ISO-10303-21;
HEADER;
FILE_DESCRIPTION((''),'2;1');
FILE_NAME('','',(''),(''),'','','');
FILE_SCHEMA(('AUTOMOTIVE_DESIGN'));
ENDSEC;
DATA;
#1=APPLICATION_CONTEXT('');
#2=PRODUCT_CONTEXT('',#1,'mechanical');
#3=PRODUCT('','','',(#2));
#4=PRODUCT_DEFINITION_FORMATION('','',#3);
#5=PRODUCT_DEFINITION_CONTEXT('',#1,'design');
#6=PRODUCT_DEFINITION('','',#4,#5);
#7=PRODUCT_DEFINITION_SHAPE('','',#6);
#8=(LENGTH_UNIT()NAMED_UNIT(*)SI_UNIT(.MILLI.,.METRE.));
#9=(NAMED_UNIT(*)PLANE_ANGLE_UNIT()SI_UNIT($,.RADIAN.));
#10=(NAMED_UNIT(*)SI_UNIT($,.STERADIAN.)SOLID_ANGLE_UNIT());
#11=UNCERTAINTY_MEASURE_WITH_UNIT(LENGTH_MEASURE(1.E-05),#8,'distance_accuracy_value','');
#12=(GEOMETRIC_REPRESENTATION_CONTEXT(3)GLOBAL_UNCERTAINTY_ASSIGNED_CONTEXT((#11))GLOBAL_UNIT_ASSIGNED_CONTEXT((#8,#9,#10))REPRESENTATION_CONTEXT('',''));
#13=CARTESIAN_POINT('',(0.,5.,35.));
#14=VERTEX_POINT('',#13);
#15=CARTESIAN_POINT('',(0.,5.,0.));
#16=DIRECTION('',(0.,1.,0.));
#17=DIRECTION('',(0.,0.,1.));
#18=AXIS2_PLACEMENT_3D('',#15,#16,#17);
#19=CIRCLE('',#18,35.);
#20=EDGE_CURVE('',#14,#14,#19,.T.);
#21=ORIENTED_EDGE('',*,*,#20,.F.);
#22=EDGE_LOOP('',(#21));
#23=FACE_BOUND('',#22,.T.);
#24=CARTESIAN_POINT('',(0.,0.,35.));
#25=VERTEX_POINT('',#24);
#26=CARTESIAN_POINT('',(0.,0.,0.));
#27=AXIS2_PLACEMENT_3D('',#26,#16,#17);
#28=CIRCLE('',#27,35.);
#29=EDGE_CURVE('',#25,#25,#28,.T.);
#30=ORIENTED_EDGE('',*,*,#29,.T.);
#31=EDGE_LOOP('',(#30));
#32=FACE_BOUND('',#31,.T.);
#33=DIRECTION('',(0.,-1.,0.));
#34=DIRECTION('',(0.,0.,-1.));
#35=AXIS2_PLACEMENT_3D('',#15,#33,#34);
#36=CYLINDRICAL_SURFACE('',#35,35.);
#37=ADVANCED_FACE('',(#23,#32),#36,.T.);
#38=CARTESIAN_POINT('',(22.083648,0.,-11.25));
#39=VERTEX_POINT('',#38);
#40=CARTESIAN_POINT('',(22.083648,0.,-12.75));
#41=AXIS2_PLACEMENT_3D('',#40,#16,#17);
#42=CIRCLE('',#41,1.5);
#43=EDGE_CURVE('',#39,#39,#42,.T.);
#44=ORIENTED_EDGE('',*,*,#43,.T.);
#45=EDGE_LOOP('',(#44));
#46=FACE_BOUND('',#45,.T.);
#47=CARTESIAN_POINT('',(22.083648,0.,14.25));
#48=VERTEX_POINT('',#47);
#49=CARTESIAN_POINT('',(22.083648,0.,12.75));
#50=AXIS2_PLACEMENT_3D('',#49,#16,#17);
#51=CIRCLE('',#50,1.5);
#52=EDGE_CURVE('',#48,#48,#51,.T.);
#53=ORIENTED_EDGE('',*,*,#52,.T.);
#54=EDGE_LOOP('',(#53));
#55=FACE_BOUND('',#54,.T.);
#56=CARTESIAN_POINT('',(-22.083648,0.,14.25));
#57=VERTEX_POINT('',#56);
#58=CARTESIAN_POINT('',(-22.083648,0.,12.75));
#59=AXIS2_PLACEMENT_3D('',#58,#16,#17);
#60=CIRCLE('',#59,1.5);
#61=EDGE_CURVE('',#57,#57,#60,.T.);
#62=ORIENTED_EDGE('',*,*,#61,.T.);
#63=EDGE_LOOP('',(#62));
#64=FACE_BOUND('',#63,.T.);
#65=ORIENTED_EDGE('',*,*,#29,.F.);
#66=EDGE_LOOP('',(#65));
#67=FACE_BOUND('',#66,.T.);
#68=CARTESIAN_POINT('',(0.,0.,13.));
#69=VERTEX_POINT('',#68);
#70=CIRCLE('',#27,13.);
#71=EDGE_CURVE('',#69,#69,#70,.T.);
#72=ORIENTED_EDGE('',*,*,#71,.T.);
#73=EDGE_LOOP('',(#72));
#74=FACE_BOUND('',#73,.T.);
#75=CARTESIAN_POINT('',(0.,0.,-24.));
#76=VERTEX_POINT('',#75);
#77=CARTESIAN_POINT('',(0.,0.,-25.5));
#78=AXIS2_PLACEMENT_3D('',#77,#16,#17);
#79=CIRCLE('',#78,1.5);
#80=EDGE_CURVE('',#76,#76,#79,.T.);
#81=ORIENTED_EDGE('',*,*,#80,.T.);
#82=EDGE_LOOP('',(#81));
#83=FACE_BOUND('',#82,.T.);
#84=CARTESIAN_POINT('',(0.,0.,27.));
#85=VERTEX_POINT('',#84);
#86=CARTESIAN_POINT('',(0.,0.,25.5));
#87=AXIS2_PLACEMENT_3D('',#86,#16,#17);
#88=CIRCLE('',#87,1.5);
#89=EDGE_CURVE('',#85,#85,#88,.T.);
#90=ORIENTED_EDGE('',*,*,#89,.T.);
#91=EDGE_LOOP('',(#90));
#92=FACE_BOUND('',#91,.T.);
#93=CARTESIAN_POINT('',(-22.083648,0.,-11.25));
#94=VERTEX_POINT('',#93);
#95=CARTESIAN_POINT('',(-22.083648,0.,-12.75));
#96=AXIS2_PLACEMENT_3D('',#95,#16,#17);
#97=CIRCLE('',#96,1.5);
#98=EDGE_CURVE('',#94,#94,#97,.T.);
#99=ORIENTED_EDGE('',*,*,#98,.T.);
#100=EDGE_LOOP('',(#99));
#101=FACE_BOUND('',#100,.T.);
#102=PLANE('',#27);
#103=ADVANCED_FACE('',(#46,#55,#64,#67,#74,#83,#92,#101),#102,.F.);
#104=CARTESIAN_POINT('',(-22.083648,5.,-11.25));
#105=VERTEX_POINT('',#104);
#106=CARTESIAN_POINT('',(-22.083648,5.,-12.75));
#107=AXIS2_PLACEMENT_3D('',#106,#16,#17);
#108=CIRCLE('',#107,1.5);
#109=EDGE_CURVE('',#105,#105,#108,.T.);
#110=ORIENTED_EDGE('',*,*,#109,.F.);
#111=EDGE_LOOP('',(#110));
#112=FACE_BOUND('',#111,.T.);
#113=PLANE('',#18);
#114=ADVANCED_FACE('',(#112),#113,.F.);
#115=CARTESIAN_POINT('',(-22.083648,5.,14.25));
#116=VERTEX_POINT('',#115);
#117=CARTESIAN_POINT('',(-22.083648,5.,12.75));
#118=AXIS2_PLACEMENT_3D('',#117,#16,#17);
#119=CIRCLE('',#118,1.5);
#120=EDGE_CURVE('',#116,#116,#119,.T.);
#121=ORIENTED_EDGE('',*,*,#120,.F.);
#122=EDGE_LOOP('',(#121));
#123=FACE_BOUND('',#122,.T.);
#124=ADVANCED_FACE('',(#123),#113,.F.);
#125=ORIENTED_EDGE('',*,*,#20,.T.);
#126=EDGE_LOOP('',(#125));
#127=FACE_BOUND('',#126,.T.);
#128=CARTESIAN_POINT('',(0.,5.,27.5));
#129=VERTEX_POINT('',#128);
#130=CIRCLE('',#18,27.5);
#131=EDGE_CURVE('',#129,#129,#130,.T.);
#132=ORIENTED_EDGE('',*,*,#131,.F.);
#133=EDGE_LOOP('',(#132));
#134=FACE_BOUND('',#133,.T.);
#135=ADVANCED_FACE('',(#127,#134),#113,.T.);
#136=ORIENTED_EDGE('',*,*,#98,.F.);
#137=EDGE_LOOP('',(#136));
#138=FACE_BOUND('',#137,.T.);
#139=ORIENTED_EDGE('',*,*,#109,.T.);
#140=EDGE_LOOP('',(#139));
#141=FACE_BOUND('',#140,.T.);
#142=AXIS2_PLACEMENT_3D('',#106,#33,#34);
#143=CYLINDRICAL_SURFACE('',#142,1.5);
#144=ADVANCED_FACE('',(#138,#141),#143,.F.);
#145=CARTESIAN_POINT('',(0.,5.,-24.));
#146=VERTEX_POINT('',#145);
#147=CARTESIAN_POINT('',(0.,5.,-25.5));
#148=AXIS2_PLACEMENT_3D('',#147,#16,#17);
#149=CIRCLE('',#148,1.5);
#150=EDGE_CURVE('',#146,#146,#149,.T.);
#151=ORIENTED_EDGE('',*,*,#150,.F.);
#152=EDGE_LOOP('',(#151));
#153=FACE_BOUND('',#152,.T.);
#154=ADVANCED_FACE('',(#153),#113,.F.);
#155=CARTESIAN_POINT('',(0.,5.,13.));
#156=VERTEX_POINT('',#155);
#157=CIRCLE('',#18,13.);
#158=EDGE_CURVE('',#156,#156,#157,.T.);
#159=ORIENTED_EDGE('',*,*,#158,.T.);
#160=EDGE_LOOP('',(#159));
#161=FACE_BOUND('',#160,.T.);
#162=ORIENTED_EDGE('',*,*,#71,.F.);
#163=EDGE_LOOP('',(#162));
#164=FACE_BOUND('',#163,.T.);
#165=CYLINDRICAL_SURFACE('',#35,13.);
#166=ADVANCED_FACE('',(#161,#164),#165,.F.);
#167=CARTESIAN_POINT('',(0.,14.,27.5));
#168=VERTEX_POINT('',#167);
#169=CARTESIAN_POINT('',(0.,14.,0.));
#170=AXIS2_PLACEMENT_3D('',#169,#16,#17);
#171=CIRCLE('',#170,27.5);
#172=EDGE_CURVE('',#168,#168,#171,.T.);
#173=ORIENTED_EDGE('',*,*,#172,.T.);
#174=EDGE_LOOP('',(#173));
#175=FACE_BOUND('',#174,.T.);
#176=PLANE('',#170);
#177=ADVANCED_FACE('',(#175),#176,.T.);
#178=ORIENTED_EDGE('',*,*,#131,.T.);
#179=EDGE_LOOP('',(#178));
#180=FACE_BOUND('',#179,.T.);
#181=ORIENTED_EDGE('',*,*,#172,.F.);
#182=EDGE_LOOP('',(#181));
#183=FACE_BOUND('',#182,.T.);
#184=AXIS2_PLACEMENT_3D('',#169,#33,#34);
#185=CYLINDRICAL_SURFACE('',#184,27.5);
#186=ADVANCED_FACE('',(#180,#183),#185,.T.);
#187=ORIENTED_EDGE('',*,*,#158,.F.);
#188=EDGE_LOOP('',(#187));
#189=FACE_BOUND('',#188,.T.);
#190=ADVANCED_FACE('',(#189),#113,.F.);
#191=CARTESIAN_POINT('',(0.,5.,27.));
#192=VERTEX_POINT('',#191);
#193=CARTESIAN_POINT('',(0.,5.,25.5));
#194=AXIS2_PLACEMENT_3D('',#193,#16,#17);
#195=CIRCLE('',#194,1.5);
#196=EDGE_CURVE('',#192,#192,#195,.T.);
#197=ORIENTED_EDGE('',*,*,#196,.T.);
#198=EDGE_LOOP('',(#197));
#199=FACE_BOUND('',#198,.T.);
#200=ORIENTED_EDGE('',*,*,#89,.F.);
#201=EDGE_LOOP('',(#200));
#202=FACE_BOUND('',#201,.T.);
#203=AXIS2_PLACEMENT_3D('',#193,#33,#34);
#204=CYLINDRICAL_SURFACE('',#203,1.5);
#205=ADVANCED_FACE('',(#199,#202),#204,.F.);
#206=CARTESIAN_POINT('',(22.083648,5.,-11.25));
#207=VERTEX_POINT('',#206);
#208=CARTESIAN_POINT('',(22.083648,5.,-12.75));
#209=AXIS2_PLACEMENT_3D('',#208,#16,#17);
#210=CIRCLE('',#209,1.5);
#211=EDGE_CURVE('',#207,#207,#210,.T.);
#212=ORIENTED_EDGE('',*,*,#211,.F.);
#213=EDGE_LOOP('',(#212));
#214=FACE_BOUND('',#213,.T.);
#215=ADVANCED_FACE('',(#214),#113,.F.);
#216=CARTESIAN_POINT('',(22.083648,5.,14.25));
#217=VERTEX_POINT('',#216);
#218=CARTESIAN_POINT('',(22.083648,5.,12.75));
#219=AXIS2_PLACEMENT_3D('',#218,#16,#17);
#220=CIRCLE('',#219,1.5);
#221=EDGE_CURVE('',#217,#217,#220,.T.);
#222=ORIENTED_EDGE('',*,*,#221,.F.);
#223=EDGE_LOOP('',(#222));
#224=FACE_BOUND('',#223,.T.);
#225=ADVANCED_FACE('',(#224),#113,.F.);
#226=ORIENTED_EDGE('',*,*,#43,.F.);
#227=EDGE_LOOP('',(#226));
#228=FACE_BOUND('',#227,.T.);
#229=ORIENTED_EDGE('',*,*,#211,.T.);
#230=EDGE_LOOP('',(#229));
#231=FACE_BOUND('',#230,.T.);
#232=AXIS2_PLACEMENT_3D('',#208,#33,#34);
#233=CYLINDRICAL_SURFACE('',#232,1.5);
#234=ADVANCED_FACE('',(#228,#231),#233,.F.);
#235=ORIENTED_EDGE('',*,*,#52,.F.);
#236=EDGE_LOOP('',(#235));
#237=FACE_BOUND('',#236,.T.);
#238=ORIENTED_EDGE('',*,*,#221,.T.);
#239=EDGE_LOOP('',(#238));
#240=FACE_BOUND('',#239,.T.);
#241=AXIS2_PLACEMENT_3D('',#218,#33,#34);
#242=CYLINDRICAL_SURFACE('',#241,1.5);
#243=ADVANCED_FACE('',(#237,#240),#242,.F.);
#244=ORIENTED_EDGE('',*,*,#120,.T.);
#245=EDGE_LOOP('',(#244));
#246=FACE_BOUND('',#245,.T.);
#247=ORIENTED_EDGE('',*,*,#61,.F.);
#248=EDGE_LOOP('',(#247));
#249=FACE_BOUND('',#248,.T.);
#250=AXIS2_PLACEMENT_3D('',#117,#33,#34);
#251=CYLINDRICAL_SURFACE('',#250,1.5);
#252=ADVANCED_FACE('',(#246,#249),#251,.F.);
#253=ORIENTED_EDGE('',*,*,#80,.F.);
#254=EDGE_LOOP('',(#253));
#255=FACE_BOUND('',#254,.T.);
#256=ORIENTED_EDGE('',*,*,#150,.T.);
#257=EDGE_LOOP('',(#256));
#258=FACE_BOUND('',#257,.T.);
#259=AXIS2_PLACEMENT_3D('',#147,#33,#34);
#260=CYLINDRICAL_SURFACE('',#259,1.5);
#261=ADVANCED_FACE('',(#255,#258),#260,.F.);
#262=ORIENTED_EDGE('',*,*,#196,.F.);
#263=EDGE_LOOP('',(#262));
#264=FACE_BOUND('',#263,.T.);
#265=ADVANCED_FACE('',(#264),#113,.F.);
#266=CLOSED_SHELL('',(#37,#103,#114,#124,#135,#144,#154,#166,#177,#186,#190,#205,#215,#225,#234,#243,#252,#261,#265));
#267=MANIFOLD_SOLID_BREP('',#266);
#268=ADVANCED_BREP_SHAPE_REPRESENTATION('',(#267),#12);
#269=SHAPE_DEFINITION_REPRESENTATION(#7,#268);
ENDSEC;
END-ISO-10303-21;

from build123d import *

# Parameters (mm, degrees)
SKETCH1_R           = 35
SKETCH1_R_2         = 1.5
SKETCH1_R_3         = 13
BOSS_EXTRUDE1_DEPTH = 5
SKETCH2_R           = 27.5
BOSS_EXTRUDE2_DEPTH = 9


with BuildPart() as part:
    # Sketch1 → Boss-Extrude1 (new body)
    with BuildSketch(Plane(origin=(0, 0, 0), x_dir=(1, 0, 0), z_dir=(0, 1, 0))):
        with Locations(Location((0, 0, 0), (0, 0, 270))):
            Circle(SKETCH1_R)
        with Locations(Location((0, 25.5, 0), (0, 0, 270))):
            Circle(SKETCH1_R_2, mode=Mode.SUBTRACT)
        with Locations(Location((22.083647797, 12.75, 0), (0, 0, 270))):
            Circle(SKETCH1_R_2, mode=Mode.SUBTRACT)
        with Locations(Location((22.083647797, -12.75, 0), (0, 0, 270))):
            Circle(SKETCH1_R_2, mode=Mode.SUBTRACT)
        with Locations(Location((0, -25.5, 0), (0, 0, 270))):
            Circle(SKETCH1_R_2, mode=Mode.SUBTRACT)
        with Locations(Location((-22.083647797, -12.75, 0), (0, 0, 270))):
            Circle(SKETCH1_R_2, mode=Mode.SUBTRACT)
        with Locations(Location((-22.083647797, 12.75, 0), (0, 0, 270))):
            Circle(SKETCH1_R_2, mode=Mode.SUBTRACT)
        with Locations(Location((0, 0, 0), (0, 0, 270))):
            Circle(SKETCH1_R_3, mode=Mode.SUBTRACT)
    extrude(amount=BOSS_EXTRUDE1_DEPTH)

    # Sketch2 → Boss-Extrude2 (add)
    with BuildSketch(Plane(origin=(0, 5, 0), x_dir=(1, 0, 0), z_dir=(0, 1, 0))):
        with Locations(Location((0, 0, 0), (0, 0, 270))):
            Circle(SKETCH2_R)
    extrude(amount=BOSS_EXTRUDE2_DEPTH)


solid = part.part
